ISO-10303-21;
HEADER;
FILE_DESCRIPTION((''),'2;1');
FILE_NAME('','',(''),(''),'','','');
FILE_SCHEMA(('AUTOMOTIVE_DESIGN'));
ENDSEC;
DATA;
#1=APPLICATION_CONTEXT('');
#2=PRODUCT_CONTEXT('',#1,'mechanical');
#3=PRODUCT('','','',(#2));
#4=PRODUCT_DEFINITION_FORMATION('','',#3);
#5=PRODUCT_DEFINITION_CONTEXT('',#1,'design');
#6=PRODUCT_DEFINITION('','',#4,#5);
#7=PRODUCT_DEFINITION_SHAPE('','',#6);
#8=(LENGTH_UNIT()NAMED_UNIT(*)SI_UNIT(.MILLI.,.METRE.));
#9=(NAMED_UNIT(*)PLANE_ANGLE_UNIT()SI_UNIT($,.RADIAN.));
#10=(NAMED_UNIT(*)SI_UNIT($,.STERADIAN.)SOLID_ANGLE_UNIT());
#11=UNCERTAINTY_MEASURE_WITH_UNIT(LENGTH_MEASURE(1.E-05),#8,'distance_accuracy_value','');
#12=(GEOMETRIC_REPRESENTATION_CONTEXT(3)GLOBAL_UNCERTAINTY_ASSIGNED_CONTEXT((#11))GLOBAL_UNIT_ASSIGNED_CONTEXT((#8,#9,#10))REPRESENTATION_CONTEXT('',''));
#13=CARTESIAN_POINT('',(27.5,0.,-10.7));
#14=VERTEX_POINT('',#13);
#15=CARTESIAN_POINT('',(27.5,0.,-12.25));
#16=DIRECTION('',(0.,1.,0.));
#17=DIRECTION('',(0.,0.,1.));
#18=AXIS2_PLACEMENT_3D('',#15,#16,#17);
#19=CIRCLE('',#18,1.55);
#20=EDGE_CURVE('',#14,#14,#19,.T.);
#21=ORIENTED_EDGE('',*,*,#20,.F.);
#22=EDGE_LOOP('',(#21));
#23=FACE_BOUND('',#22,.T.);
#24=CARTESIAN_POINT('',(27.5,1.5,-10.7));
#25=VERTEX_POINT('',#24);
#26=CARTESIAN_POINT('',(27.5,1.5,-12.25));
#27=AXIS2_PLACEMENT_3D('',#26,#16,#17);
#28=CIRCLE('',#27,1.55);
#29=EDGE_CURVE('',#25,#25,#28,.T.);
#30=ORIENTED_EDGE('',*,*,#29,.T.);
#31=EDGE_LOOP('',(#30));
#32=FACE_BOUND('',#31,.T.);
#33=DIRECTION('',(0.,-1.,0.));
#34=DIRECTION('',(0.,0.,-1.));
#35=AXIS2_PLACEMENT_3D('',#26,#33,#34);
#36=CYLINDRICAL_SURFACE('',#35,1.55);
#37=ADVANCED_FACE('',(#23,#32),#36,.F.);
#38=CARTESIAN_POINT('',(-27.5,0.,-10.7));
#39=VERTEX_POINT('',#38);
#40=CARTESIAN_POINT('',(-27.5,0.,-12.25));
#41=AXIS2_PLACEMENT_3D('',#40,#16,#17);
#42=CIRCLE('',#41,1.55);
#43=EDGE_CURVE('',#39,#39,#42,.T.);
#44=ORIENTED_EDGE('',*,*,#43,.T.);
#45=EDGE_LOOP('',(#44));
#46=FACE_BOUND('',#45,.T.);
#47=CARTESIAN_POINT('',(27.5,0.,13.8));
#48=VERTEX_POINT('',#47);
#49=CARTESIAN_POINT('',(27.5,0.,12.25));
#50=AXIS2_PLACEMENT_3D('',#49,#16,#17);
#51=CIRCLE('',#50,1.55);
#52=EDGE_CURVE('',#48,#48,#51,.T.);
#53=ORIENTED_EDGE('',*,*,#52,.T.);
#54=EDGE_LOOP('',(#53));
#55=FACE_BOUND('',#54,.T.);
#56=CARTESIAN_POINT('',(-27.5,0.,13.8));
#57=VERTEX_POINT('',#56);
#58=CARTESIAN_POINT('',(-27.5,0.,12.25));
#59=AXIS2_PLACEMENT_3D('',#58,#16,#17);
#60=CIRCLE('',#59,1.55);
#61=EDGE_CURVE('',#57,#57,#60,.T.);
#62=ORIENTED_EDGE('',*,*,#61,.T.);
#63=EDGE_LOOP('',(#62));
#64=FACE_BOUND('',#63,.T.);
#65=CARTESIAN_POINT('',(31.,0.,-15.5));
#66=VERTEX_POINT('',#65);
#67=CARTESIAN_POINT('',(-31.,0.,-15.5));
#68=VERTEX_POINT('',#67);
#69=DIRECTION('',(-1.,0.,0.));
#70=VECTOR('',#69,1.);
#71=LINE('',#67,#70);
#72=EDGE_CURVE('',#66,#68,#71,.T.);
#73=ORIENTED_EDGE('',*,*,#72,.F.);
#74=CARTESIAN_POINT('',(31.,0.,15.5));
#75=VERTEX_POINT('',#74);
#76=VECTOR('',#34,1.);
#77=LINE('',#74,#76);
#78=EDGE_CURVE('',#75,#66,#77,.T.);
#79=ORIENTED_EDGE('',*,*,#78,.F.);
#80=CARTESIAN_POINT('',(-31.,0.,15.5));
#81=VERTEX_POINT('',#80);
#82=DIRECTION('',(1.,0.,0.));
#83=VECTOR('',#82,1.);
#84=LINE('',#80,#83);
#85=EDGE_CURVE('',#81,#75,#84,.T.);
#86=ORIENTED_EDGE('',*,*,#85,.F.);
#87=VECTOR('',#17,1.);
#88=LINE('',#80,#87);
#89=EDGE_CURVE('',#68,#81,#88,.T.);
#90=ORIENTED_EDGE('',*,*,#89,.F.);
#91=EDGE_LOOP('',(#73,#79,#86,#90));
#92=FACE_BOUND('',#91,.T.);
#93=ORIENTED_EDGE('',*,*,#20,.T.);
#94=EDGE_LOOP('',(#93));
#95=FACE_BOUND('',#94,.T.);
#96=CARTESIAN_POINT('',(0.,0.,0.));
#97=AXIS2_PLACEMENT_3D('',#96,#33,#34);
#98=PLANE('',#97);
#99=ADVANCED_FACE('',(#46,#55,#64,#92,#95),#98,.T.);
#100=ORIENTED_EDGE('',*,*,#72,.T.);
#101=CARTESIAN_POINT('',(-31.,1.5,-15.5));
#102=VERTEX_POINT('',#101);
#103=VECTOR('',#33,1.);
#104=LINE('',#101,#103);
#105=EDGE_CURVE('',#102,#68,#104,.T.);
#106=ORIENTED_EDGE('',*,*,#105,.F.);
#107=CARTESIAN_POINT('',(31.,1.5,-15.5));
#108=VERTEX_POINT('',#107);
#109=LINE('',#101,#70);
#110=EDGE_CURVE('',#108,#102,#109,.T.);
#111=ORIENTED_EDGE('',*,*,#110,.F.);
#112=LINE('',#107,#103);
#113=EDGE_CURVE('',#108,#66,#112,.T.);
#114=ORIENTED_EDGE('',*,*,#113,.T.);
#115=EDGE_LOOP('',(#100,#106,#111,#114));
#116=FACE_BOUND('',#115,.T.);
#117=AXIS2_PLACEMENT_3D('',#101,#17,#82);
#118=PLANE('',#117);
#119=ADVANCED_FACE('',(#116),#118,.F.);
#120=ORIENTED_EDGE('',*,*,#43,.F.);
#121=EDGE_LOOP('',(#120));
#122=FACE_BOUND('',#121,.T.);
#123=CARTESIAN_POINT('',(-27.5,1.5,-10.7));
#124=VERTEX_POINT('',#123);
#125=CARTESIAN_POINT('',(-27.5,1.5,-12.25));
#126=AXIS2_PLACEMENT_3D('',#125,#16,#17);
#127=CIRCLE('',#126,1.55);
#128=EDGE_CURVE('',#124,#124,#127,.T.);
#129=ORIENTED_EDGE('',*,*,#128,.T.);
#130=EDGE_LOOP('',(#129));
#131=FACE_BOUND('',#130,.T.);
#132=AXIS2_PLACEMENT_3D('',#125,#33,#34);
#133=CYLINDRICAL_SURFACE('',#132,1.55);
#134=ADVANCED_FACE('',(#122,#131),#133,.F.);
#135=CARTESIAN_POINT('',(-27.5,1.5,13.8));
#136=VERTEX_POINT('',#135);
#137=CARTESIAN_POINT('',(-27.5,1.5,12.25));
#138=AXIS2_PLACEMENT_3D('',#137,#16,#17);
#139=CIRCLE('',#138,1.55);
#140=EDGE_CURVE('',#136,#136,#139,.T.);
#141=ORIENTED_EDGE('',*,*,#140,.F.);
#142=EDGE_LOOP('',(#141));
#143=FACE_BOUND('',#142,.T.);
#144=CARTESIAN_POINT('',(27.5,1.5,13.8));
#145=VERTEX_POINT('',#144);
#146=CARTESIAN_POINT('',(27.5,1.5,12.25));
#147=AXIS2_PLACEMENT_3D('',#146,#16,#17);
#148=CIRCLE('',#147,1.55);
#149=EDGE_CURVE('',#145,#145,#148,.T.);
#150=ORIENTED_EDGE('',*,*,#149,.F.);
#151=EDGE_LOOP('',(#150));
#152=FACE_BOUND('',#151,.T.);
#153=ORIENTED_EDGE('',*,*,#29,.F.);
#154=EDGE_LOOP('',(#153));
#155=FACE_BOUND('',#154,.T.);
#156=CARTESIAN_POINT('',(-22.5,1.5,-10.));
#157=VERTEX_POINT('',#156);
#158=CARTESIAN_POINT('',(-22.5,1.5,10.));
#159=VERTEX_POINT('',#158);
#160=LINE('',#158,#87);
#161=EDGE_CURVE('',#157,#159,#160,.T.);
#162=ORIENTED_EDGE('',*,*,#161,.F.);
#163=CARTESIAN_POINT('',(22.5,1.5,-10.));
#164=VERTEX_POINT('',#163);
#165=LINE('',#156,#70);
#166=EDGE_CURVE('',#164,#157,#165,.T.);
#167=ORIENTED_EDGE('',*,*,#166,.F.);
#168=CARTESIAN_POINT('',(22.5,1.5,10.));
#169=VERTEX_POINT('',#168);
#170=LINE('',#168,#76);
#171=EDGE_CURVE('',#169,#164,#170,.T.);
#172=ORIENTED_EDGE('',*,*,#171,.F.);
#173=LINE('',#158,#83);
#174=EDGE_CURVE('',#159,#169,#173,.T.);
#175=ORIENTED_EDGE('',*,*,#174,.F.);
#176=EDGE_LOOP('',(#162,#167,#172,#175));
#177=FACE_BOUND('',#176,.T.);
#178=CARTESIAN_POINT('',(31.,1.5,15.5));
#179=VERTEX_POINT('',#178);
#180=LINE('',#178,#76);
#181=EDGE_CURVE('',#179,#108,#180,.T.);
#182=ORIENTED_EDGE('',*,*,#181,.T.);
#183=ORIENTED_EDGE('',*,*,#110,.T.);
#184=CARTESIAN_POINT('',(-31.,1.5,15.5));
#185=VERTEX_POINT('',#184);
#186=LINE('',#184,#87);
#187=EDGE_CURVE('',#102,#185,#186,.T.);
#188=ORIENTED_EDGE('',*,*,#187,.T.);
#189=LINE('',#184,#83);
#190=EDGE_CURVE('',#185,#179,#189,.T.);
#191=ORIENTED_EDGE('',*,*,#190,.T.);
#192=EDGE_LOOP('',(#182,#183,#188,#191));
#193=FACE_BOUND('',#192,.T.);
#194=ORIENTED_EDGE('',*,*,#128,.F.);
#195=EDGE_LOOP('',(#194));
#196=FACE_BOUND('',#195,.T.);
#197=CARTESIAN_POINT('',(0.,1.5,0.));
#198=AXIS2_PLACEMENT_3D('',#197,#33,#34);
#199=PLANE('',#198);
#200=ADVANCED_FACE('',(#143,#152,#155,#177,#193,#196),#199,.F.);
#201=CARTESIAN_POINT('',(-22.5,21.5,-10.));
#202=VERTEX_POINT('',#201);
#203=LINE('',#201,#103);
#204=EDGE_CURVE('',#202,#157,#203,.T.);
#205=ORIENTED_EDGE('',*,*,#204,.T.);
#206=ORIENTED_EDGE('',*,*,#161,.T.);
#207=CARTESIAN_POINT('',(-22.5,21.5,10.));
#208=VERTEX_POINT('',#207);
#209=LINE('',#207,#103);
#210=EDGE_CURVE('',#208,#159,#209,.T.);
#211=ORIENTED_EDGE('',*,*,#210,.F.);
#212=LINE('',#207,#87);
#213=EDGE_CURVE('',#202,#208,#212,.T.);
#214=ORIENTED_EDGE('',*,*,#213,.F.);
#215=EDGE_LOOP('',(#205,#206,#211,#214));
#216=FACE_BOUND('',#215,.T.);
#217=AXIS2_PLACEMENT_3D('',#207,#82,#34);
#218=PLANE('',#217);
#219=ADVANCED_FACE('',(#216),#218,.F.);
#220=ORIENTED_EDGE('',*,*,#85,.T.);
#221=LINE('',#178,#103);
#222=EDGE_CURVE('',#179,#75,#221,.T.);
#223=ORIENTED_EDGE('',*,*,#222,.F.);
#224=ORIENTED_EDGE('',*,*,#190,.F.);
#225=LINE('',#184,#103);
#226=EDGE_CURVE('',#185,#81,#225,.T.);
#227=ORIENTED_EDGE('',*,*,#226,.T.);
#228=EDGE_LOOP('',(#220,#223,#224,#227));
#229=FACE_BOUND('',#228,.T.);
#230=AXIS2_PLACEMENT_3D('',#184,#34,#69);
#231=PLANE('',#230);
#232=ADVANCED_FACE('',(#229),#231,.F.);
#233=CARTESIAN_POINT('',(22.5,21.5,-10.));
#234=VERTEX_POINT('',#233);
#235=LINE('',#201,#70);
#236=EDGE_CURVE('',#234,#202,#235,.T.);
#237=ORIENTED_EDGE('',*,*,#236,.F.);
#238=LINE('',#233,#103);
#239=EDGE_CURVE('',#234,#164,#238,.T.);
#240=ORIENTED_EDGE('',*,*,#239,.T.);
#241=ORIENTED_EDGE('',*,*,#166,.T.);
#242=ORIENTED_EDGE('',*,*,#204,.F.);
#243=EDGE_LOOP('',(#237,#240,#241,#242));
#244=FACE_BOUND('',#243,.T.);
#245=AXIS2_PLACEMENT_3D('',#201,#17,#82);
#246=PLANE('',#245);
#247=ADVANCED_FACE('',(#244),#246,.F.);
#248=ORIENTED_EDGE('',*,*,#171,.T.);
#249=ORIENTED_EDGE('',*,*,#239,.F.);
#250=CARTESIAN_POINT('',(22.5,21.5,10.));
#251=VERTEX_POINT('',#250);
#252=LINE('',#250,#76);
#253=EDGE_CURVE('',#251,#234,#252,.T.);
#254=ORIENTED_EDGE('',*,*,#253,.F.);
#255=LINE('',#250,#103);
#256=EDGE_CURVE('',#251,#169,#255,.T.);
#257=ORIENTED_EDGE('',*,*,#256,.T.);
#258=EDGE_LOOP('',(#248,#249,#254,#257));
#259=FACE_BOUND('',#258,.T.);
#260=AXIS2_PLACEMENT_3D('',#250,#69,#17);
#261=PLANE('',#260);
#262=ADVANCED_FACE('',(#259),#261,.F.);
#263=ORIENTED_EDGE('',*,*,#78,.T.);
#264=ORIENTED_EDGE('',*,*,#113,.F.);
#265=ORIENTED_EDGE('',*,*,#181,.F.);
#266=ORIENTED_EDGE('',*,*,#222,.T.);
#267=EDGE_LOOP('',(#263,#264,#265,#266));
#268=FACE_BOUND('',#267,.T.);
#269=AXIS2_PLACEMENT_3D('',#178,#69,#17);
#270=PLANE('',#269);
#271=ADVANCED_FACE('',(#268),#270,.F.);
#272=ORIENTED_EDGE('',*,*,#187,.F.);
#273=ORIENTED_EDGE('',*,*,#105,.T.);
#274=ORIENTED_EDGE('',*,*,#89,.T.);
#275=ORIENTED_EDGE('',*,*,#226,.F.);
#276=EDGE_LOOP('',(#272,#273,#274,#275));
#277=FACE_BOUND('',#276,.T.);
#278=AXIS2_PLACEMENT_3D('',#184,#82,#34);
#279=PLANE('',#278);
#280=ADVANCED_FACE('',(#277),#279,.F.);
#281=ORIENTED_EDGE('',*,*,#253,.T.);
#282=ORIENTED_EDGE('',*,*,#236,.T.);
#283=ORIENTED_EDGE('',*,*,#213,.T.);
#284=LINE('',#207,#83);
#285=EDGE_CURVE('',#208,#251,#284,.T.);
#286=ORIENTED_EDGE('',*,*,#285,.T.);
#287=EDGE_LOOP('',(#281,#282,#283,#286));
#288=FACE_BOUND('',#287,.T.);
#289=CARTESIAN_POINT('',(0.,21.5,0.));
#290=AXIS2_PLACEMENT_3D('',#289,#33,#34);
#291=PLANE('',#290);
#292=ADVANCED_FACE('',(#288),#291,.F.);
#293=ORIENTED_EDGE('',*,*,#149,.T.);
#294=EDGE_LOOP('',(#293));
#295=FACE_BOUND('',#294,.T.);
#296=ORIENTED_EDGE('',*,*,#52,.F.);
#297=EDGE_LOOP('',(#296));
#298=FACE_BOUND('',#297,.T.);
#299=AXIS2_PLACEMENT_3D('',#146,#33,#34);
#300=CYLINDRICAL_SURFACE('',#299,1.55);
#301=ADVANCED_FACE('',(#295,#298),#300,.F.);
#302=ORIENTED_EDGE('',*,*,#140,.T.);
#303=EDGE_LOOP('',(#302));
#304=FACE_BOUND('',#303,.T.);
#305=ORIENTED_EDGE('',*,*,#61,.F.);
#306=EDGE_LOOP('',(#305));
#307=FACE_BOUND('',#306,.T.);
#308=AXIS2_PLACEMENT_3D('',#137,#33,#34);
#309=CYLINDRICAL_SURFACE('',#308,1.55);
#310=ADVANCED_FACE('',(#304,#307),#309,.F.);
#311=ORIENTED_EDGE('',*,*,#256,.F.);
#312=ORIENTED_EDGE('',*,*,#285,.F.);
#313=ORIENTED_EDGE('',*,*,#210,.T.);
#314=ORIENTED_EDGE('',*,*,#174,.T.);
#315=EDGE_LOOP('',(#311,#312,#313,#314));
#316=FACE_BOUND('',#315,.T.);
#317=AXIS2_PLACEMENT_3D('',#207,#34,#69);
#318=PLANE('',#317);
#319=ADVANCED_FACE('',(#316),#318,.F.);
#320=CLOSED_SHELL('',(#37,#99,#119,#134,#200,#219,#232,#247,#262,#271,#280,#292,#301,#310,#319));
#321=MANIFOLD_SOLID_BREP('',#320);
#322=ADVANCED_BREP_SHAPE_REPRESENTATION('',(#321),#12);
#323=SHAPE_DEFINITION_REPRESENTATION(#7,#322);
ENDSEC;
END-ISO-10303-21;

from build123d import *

# Parameters (mm, degrees)
SKETCH_1_W      = 62
SKETCH_1_H      = 31
SKETCH_1_R      = 1.55
EXTRUDE_1_DEPTH = 1.5
SKETCH_2_W      = 45
SKETCH_2_H      = 20
EXTRUDE_2_DEPTH = 20


with BuildPart() as part:
    # 草圖1 → 填料-伸長1 (new body)
    with BuildSketch(Plane(origin=(0, 0, 0), x_dir=(1, 0, 0), z_dir=(0, 1, 0))):
        Rectangle(SKETCH_1_W, SKETCH_1_H)
        with Locations(Location((-27.5, 12.25, 0), (0, 0, 270))):
            Circle(SKETCH_1_R, mode=Mode.SUBTRACT)
        with Locations(Location((27.5, 12.25, 0), (0, 0, 270))):
            Circle(SKETCH_1_R, mode=Mode.SUBTRACT)
        with Locations(Location((27.5, -12.25, 0), (0, 0, 270))):
            Circle(SKETCH_1_R, mode=Mode.SUBTRACT)
        with Locations(Location((-27.5, -12.25, 0), (0, 0, 270))):
            Circle(SKETCH_1_R, mode=Mode.SUBTRACT)
    extrude(amount=EXTRUDE_1_DEPTH)

    # 草圖2 → 填料-伸長2 (add)
    with BuildSketch(Plane(origin=(0, 1.5, 0), x_dir=(1, 0, 0), z_dir=(0, 1, 0))):
        Rectangle(SKETCH_2_W, SKETCH_2_H)
    extrude(amount=EXTRUDE_2_DEPTH)


solid = part.part
